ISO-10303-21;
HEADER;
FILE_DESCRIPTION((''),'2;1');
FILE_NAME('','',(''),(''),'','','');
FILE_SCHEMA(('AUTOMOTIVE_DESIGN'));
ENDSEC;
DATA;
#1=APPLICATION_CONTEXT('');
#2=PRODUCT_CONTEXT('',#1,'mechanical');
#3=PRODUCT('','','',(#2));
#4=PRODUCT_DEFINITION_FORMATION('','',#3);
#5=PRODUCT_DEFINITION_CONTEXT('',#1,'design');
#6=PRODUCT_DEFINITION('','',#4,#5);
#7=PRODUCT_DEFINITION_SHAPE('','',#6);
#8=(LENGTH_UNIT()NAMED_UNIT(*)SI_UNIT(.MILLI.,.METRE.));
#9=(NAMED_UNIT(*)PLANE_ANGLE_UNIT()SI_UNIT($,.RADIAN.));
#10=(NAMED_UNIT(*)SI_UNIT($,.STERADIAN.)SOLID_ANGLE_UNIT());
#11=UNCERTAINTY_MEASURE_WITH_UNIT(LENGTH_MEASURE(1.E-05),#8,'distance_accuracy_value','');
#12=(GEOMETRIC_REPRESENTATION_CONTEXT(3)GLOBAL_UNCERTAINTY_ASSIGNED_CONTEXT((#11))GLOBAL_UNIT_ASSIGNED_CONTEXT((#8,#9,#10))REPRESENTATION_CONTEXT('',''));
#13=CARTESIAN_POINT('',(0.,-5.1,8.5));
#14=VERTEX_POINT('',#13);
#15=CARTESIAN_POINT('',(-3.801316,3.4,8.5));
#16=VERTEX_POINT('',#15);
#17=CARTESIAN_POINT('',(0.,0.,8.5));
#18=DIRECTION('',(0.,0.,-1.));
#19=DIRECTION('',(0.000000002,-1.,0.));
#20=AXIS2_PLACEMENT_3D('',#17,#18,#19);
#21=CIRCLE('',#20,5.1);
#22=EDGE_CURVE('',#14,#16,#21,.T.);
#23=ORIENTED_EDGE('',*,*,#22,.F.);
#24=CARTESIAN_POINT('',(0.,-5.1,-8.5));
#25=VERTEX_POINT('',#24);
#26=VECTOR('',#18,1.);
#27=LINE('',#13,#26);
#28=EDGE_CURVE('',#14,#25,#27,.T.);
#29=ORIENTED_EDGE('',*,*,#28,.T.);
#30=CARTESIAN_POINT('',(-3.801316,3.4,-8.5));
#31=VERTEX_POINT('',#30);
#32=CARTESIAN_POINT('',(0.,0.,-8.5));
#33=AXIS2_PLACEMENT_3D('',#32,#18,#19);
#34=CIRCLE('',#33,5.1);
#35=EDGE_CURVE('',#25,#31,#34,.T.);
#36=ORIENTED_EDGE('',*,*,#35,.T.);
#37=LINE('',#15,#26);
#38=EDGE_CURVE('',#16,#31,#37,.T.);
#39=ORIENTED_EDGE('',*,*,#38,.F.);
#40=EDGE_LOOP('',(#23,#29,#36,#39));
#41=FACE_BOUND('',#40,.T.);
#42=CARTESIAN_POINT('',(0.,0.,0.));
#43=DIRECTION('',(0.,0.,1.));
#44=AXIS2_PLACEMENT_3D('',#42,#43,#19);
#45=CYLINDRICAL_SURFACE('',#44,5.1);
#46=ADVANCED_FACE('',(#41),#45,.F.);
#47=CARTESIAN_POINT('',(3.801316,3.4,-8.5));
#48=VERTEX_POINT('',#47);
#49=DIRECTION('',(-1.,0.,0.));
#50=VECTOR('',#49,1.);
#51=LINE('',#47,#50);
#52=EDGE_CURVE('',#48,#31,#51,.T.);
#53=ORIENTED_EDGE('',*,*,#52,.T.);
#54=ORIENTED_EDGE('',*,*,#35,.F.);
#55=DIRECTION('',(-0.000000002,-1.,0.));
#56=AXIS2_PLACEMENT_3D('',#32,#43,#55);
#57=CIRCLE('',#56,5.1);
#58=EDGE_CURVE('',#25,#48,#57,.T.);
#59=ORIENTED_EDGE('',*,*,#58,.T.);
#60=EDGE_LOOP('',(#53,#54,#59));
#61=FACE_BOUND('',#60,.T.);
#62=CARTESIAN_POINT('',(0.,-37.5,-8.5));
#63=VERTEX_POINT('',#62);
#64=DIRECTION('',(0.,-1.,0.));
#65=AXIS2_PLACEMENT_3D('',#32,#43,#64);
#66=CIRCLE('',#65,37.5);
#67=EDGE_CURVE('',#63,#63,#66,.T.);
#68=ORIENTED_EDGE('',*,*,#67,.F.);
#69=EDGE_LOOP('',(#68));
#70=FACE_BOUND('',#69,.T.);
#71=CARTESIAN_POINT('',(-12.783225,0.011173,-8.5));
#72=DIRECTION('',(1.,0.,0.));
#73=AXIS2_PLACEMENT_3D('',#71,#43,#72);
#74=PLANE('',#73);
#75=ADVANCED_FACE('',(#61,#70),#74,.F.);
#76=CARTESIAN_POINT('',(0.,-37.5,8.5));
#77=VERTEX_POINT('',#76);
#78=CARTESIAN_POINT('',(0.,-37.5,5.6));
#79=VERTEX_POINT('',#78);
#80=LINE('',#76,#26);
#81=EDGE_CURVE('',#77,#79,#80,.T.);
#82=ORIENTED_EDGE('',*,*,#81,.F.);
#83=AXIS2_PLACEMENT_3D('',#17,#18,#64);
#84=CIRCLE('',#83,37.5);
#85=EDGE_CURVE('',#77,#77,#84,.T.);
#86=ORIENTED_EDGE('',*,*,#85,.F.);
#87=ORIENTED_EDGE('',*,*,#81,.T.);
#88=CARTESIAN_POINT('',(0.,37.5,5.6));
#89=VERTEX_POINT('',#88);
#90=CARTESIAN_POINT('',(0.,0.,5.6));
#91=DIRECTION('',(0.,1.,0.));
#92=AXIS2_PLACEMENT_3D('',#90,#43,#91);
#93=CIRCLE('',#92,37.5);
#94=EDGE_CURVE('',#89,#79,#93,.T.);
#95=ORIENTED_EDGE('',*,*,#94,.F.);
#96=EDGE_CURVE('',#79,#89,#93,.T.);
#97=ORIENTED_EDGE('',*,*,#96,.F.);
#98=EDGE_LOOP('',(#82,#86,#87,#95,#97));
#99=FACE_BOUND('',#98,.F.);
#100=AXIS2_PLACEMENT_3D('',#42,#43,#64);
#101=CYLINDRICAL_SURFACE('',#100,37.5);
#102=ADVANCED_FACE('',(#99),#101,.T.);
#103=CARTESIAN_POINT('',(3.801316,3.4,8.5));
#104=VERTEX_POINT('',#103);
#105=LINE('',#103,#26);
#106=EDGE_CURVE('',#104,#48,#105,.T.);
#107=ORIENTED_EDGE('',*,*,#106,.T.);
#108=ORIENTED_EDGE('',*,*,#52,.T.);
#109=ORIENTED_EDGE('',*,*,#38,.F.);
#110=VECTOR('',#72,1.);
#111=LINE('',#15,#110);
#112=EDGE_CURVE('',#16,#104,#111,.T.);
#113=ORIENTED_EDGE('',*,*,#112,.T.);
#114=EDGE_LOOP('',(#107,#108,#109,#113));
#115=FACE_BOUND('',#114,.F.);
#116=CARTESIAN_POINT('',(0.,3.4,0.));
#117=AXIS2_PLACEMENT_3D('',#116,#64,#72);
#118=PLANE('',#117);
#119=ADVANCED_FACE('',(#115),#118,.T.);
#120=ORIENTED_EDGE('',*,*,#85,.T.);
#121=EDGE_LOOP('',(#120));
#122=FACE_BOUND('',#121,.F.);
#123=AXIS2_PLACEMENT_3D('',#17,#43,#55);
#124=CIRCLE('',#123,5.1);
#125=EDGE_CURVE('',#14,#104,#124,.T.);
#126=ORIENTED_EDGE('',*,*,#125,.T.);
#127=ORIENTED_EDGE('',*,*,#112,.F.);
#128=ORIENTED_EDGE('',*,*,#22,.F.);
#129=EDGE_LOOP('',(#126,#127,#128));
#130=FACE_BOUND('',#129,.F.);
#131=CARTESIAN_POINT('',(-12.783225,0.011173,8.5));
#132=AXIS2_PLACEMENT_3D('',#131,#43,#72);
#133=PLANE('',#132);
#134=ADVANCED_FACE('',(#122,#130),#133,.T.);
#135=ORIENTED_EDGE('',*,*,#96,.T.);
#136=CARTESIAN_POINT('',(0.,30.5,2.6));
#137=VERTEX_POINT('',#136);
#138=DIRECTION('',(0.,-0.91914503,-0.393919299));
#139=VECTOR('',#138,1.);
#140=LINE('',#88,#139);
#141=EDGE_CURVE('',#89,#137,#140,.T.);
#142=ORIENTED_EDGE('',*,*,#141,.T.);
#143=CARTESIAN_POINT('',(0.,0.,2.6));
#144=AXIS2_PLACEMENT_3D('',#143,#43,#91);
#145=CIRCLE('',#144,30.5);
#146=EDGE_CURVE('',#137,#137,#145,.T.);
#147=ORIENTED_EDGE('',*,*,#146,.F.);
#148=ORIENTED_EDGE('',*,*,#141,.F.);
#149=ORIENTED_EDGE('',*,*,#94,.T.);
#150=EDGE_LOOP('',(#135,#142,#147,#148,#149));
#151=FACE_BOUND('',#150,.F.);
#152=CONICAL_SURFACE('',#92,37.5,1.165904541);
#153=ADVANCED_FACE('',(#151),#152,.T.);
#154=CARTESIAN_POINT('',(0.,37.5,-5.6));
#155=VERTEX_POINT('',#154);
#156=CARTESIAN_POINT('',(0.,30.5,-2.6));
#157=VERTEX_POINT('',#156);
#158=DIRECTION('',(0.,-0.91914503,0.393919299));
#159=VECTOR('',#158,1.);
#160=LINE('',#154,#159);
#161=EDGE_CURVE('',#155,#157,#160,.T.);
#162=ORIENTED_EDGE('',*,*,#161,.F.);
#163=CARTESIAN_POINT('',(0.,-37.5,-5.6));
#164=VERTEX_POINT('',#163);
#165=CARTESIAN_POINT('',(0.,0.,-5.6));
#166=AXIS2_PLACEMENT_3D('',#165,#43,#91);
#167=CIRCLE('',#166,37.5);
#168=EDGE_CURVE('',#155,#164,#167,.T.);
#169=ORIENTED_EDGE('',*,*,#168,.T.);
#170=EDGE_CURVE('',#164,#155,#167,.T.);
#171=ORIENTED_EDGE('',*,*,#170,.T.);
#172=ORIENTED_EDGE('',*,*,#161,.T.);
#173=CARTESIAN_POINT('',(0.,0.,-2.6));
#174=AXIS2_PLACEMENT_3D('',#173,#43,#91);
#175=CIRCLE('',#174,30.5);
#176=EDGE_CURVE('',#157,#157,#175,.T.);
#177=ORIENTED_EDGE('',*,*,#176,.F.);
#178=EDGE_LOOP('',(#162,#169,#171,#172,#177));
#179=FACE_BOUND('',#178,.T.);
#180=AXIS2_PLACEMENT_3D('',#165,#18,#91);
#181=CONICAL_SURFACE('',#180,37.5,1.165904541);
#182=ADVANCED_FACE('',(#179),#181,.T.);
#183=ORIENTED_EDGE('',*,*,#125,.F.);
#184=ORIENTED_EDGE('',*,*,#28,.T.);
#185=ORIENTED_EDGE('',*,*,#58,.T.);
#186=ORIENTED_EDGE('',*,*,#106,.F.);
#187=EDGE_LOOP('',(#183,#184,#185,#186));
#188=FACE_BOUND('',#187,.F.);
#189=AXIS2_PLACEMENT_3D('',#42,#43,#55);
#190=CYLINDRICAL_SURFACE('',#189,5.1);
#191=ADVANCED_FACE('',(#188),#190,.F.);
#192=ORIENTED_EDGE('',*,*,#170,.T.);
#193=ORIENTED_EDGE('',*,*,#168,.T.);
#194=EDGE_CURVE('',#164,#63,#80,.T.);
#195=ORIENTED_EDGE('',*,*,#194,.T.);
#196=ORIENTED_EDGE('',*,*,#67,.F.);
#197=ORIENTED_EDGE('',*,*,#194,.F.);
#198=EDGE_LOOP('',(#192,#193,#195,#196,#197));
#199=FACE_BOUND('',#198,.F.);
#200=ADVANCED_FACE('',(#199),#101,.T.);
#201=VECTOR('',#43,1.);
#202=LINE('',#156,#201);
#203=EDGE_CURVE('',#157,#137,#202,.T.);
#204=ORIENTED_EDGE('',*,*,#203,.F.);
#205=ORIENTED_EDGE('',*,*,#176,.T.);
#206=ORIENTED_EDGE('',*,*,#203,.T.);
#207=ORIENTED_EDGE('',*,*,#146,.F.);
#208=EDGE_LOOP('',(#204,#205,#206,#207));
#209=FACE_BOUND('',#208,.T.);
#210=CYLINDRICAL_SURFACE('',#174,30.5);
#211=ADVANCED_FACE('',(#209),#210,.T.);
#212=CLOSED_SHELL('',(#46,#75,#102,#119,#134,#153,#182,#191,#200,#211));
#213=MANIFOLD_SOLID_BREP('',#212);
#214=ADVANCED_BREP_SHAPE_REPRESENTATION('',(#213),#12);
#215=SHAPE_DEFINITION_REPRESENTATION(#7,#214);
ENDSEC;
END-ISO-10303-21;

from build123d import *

# Parameters (mm, degrees)
PAD_DEPTH         = 8.5
SKETCH003_R       = 109.254571
SKETCH003_R_2     = 59.25
POCKET_DEPTH      = 8.501
POCKET_DEPTH_BACK = -8.501


with BuildPart() as part:
    # Sketch → Pad (new body, symmetric)
    with BuildSketch(Plane.XY):
        with BuildLine():
            ThreePointArc((0, -37.5), (37.5, 0), (0, 37.5))
            Line((0, 37.5), (0, 5.8))
            Line((0, 5.8), (0, 5.1))
            Line((0, 3.4), (0, 5.1))
            Line((0, 3.4), (3.801316, 3.4))
            ThreePointArc((0, -5.1), (4.655642, -2.082066), (3.801316, 3.4))
            Line((0, -5.1), (0, -37.5))
        make_face()
    pad = extrude(amount=PAD_DEPTH, both=True)

    # Mirrored: Pad across Sketch V_Axis
    add(pad.mirror(Plane(origin=(0, 0, 0), x_dir=(0, 0, 1), z_dir=(1, 0, 0))))

    # Sketch001 → Groove (revolve, cut)
    with BuildSketch(Plane.YZ):
        Polygon((37.5, 0), (37.5, 5.6), (30.5, 2.6), (30.5, 0), align=None)
    groove = revolve(axis=Axis((0, 0, 0), (0, 0, 1)), mode=Mode.SUBTRACT)

    # Mirrored001: Groove across Sketch001 H_Axis
    add(groove.mirror(Plane.XY), mode=Mode.SUBTRACT)

    # Sketch003 → Pocket (cut, two sides)
    with BuildSketch(Plane.XY) as pocket_sk:
        Circle(SKETCH003_R)
        Circle(SKETCH003_R_2, mode=Mode.SUBTRACT)
    extrude(amount=-POCKET_DEPTH, mode=Mode.SUBTRACT)
    extrude(pocket_sk.sketch, amount=-POCKET_DEPTH_BACK, mode=Mode.SUBTRACT)


solid = part.part
